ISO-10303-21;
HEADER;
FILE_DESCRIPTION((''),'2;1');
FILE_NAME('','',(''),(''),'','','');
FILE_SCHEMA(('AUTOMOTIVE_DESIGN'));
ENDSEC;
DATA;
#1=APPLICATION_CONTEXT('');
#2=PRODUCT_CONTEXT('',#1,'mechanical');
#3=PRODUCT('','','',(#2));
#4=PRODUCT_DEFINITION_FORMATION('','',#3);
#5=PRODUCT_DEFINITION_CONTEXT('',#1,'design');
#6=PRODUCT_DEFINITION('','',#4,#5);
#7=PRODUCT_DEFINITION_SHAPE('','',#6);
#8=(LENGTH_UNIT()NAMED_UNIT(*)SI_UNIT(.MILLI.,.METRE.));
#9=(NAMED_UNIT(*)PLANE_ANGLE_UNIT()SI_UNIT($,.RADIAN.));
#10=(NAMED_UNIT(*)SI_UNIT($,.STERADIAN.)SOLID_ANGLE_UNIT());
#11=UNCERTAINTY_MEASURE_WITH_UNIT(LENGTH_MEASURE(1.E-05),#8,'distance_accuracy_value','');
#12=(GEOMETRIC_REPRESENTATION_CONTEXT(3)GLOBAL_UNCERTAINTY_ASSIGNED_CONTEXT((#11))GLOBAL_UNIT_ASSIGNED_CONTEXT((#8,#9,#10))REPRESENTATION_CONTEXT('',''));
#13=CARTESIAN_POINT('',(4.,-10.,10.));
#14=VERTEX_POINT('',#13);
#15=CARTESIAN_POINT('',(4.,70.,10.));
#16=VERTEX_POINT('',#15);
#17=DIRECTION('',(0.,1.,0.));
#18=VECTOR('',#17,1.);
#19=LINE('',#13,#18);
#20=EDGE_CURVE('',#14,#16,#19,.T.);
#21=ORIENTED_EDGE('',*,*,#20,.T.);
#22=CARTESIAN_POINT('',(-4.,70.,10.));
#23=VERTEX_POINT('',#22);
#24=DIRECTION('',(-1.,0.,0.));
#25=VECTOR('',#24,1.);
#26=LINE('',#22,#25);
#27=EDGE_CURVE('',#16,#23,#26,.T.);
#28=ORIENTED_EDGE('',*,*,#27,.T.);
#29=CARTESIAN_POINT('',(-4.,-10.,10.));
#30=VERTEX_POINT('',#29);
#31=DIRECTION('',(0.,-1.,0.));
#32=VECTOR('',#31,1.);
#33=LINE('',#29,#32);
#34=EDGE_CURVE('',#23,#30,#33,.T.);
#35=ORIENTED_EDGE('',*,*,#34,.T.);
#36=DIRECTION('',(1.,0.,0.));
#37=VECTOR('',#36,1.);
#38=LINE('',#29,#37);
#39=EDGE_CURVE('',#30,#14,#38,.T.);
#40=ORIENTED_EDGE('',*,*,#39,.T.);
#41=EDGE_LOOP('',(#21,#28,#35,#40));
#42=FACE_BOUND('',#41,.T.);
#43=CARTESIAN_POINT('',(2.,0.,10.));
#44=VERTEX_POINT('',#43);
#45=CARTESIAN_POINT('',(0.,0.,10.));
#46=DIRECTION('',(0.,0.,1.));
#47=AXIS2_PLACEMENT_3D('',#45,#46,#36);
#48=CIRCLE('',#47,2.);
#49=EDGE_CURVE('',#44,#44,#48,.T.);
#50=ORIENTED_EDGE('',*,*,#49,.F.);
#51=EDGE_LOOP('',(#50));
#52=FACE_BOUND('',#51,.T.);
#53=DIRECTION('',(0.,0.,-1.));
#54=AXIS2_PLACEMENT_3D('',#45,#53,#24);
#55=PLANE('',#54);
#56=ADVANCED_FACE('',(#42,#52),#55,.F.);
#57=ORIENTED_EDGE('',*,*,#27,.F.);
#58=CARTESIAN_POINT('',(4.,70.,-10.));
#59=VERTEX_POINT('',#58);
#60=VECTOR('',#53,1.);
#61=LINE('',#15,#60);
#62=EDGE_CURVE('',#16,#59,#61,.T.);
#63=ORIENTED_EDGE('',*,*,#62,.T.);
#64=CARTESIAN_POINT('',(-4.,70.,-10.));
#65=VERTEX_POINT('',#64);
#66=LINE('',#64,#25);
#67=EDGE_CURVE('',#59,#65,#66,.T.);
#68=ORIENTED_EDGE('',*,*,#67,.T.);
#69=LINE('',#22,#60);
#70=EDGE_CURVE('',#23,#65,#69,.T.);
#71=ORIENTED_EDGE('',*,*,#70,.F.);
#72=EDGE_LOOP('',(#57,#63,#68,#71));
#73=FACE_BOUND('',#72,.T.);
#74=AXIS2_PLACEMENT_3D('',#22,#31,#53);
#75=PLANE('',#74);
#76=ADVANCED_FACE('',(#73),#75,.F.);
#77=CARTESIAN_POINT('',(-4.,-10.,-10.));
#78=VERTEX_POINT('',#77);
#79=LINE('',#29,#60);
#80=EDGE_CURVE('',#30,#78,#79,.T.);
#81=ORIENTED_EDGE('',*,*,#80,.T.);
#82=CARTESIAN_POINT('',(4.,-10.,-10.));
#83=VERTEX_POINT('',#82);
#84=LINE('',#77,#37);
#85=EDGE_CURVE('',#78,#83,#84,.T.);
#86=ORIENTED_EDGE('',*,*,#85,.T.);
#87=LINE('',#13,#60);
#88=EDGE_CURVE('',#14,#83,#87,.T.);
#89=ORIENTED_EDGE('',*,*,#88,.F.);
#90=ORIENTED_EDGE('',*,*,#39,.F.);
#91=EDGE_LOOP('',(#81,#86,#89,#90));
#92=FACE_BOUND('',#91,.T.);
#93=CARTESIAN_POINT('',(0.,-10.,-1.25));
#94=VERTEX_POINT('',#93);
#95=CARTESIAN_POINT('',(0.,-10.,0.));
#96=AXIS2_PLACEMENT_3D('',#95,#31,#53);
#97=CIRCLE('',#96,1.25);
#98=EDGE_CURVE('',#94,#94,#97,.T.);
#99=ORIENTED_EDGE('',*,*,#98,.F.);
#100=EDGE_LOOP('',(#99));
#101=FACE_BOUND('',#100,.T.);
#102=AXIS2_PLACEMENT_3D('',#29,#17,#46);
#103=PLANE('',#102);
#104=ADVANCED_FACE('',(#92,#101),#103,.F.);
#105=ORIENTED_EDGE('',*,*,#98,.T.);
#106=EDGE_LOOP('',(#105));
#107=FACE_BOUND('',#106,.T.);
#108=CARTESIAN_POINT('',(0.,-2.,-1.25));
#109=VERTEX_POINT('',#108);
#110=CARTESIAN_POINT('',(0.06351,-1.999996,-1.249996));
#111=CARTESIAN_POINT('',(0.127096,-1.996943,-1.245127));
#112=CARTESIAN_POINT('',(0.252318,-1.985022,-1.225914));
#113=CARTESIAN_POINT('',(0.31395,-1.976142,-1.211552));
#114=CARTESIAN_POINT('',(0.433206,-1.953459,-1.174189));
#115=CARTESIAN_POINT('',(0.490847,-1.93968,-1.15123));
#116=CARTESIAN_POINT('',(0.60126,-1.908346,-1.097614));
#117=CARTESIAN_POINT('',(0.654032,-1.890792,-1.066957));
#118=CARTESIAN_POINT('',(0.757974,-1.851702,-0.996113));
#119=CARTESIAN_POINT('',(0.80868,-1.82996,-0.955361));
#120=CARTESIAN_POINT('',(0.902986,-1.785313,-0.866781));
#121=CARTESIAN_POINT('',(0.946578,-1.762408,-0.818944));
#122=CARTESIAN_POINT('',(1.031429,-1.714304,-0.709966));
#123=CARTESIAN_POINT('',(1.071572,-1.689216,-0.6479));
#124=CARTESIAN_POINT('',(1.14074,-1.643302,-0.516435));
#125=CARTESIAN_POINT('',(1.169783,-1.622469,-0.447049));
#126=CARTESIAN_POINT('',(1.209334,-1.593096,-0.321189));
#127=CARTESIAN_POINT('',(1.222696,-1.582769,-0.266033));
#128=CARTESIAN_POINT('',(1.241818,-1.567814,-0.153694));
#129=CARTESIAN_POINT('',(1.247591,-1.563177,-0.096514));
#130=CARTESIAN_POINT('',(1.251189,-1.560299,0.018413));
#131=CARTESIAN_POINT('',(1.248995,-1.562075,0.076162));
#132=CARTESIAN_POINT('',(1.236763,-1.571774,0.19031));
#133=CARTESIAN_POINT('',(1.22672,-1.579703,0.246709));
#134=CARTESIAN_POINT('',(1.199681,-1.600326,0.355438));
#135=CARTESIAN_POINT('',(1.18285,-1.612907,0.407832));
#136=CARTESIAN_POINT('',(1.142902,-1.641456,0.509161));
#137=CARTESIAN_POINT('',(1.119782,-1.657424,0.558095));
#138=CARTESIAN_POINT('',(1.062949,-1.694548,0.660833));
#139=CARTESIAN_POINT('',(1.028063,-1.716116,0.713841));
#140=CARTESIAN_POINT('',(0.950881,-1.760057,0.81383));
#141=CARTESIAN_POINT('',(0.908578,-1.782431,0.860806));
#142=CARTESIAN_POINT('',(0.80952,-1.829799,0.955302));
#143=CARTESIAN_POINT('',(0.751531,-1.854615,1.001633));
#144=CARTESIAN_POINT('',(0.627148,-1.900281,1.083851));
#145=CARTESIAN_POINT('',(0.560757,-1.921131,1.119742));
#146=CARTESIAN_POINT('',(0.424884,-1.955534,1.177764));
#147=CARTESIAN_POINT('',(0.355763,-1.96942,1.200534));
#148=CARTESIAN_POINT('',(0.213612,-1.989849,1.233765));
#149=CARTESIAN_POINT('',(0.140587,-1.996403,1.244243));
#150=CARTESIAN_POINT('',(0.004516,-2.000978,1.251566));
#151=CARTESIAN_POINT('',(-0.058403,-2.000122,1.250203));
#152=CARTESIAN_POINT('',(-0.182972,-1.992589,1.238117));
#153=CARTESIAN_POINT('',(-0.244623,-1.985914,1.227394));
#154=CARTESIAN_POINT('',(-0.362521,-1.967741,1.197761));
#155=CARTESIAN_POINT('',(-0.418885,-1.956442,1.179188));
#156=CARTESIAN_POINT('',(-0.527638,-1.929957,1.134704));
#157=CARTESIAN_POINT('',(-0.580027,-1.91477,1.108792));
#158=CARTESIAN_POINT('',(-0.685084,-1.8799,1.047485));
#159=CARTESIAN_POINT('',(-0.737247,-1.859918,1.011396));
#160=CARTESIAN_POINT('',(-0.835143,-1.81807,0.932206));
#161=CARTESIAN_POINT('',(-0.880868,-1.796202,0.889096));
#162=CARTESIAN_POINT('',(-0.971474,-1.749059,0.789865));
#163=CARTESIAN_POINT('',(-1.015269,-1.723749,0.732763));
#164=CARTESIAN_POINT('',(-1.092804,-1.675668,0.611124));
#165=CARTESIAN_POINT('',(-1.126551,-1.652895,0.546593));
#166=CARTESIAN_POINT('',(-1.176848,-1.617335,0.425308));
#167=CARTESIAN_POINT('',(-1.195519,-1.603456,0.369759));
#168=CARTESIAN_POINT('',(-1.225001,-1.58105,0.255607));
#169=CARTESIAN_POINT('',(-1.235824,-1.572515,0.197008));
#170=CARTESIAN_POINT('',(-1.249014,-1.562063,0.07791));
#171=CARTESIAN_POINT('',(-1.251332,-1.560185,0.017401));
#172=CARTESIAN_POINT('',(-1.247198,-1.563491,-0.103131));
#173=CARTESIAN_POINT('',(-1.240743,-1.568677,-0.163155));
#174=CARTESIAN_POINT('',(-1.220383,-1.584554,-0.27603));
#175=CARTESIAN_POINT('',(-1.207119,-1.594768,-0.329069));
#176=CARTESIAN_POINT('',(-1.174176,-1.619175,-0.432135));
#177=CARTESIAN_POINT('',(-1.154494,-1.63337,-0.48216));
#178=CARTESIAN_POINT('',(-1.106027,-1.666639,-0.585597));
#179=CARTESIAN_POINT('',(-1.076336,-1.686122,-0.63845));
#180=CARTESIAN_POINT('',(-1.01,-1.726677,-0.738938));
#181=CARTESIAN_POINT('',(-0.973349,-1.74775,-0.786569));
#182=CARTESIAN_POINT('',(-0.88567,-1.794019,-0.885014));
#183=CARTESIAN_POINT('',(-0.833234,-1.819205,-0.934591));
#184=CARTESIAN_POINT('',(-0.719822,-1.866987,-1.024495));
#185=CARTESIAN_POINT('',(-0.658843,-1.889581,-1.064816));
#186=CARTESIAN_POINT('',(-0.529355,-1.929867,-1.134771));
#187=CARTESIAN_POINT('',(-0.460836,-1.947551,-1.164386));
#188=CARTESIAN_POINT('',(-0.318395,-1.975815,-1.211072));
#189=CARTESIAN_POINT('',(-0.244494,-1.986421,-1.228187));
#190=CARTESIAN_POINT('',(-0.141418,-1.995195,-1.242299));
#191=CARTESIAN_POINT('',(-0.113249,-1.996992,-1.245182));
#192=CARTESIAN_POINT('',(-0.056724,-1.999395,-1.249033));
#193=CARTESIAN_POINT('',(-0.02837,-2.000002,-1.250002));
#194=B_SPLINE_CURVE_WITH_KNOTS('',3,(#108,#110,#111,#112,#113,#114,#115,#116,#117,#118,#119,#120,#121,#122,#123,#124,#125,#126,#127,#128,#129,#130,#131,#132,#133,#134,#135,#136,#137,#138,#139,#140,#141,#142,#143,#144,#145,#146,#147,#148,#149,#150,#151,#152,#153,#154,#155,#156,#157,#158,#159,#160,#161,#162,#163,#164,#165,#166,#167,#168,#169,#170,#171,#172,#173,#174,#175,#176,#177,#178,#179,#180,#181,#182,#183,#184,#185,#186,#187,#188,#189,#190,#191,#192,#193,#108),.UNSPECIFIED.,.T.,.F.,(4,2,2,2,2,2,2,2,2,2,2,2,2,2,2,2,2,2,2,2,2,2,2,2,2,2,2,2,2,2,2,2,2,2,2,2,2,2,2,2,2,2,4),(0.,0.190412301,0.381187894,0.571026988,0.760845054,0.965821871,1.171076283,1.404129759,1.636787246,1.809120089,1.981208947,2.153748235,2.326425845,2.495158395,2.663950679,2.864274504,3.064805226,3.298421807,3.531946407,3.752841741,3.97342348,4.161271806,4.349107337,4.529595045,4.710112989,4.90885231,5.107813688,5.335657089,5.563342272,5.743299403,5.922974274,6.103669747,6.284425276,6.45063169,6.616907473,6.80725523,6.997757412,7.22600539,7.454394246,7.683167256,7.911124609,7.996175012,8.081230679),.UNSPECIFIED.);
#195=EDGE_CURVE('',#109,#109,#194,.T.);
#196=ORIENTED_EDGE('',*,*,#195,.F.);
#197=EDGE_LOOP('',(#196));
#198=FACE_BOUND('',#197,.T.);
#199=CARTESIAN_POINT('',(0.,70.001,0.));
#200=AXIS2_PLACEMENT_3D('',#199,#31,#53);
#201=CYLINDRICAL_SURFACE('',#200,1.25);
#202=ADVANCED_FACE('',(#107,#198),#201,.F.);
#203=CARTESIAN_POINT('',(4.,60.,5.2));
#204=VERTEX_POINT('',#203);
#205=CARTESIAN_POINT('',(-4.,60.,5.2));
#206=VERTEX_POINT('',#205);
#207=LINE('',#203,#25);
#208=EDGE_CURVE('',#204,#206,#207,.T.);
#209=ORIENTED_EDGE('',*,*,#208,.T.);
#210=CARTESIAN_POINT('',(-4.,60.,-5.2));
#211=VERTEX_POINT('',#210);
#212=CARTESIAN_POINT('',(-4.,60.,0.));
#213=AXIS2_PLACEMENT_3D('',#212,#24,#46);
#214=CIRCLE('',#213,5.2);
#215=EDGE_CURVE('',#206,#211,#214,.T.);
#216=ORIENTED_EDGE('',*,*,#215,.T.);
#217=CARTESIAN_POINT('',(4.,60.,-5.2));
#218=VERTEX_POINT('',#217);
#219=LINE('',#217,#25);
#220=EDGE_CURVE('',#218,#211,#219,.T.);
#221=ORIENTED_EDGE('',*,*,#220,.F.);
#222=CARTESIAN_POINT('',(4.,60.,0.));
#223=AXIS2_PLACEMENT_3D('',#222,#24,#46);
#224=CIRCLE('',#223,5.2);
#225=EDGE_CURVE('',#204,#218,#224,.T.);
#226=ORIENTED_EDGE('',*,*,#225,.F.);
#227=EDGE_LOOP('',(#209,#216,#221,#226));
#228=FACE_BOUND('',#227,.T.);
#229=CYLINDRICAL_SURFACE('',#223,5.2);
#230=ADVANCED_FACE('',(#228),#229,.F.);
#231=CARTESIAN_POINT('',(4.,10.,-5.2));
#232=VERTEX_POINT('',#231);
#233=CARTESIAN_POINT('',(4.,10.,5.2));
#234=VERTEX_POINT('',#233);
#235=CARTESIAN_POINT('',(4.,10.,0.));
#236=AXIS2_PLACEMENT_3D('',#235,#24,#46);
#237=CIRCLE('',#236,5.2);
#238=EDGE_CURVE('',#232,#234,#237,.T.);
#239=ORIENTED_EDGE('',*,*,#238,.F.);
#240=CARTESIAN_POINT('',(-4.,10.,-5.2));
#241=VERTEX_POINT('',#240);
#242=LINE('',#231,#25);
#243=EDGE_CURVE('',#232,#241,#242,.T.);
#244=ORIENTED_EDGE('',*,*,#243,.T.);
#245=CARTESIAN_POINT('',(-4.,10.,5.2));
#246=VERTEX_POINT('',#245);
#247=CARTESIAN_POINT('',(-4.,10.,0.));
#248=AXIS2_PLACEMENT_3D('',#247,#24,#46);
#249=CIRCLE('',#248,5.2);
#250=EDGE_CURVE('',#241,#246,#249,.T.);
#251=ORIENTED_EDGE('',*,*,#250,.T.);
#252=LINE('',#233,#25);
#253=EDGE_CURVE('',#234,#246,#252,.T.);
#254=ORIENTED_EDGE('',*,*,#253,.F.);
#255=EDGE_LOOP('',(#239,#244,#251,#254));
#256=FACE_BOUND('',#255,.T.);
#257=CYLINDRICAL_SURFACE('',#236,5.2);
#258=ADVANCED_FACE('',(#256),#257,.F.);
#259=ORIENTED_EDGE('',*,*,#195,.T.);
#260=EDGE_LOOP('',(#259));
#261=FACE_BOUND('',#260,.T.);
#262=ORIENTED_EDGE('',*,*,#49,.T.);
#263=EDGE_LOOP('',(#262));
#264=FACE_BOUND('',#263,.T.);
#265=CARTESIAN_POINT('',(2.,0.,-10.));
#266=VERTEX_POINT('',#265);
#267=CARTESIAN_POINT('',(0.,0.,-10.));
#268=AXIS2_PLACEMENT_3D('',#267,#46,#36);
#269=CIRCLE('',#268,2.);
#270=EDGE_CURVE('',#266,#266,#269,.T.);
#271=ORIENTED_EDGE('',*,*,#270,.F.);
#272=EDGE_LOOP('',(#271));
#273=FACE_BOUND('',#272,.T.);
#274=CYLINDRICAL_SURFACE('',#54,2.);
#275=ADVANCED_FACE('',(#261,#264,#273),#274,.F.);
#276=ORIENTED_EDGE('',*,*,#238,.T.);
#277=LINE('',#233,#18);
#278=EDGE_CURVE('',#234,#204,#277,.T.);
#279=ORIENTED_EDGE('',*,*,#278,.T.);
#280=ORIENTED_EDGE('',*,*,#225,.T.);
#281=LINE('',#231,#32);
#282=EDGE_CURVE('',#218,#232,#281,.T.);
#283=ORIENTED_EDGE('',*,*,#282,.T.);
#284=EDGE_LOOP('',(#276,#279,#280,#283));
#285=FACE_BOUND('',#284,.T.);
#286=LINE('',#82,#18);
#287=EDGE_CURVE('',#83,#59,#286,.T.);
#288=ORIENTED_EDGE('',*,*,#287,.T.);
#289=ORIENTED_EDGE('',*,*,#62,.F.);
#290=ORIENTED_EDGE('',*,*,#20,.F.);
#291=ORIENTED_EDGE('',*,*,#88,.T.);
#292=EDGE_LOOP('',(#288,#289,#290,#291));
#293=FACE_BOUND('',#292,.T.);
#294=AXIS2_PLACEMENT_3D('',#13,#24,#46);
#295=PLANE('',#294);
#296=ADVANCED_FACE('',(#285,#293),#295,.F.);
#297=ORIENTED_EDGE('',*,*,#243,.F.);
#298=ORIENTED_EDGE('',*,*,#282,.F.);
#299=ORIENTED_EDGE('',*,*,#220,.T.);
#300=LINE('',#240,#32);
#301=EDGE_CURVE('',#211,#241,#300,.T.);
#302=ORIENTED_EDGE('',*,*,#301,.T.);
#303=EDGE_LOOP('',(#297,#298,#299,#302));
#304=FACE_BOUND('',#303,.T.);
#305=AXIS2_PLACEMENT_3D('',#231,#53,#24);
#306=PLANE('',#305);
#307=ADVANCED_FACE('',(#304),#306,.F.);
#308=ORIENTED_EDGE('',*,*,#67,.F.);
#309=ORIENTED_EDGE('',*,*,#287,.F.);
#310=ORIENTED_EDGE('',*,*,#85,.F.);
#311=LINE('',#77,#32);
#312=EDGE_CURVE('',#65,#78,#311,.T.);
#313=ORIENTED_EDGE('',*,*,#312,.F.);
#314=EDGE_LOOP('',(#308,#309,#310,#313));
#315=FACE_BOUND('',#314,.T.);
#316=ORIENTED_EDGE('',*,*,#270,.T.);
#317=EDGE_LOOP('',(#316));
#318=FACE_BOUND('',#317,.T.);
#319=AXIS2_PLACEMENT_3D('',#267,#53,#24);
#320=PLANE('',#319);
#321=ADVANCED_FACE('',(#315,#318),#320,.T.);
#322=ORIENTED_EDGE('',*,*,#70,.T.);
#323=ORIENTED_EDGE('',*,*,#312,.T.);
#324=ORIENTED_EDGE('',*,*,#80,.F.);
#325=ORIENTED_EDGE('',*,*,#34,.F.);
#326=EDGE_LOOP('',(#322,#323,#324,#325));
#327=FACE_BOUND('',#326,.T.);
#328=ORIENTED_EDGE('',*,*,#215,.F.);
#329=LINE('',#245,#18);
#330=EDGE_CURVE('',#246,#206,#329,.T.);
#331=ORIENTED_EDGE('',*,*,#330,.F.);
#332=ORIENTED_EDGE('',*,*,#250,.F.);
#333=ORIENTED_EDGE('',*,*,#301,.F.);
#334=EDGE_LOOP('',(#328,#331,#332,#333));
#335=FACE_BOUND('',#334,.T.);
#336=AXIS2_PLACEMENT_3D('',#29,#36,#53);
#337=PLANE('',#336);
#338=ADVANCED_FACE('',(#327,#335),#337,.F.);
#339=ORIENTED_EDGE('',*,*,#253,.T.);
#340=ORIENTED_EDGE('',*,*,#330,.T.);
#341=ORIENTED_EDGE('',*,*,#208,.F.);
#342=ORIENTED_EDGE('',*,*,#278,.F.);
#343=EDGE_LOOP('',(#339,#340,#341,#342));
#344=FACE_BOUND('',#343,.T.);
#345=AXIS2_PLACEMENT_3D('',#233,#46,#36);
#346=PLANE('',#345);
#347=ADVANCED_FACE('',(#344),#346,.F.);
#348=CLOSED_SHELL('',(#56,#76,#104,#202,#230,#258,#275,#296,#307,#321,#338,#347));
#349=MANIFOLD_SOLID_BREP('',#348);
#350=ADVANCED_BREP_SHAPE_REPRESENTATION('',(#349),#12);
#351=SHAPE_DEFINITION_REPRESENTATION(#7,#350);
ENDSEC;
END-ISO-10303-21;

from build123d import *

# Parameters (mm, degrees)
SKETCH1_W         = 8
SKETCH1_H         = 80
SKETCH1_R         = 2
MAIN_DEPTH        = 10
FIXHOLE_REACH     = 82
SKETCH3_R         = 1.25
ROLLINGHOLE_DEPTH = 9


with BuildPart() as part:
    # Sketch1 → Main (new body, symmetric)
    with BuildSketch(Plane.XY):
        with Locations((0, 30)):
            Rectangle(SKETCH1_W, SKETCH1_H)
        Circle(SKETCH1_R, mode=Mode.SUBTRACT)
    extrude(amount=MAIN_DEPTH, both=True)

    # Sketch3 → FixHole (cut, up to next)
    with BuildSketch(Plane(origin=(0, -10, 0), x_dir=(-1, 0, 0), z_dir=(0, -1, 0)), mode=Mode.PRIVATE) as fixhole_sk1:
        Circle(SKETCH3_R)
    fixhole_tool1 = extrude(fixhole_sk1.sketch, amount=-FIXHOLE_REACH, mode=Mode.PRIVATE) & part.part
    add(fixhole_tool1.solids().sort_by_distance((0, -10, 0))[0], mode=Mode.SUBTRACT)

    # Sketch4 → RollingHole (cut, through all)
    with BuildSketch(Plane.ZY.offset(4)):
        with BuildLine():
            Line((-5.2, 10), (-5.2, 60))
            ThreePointArc((-5.2, 60), (0, 65.2), (5.2, 60))
            Line((5.2, 60), (5.2, 10))
            ThreePointArc((5.2, 10), (0, 4.8), (-5.2, 10))
        make_face()
    extrude(amount=-ROLLINGHOLE_DEPTH, mode=Mode.SUBTRACT)


solid = part.part
